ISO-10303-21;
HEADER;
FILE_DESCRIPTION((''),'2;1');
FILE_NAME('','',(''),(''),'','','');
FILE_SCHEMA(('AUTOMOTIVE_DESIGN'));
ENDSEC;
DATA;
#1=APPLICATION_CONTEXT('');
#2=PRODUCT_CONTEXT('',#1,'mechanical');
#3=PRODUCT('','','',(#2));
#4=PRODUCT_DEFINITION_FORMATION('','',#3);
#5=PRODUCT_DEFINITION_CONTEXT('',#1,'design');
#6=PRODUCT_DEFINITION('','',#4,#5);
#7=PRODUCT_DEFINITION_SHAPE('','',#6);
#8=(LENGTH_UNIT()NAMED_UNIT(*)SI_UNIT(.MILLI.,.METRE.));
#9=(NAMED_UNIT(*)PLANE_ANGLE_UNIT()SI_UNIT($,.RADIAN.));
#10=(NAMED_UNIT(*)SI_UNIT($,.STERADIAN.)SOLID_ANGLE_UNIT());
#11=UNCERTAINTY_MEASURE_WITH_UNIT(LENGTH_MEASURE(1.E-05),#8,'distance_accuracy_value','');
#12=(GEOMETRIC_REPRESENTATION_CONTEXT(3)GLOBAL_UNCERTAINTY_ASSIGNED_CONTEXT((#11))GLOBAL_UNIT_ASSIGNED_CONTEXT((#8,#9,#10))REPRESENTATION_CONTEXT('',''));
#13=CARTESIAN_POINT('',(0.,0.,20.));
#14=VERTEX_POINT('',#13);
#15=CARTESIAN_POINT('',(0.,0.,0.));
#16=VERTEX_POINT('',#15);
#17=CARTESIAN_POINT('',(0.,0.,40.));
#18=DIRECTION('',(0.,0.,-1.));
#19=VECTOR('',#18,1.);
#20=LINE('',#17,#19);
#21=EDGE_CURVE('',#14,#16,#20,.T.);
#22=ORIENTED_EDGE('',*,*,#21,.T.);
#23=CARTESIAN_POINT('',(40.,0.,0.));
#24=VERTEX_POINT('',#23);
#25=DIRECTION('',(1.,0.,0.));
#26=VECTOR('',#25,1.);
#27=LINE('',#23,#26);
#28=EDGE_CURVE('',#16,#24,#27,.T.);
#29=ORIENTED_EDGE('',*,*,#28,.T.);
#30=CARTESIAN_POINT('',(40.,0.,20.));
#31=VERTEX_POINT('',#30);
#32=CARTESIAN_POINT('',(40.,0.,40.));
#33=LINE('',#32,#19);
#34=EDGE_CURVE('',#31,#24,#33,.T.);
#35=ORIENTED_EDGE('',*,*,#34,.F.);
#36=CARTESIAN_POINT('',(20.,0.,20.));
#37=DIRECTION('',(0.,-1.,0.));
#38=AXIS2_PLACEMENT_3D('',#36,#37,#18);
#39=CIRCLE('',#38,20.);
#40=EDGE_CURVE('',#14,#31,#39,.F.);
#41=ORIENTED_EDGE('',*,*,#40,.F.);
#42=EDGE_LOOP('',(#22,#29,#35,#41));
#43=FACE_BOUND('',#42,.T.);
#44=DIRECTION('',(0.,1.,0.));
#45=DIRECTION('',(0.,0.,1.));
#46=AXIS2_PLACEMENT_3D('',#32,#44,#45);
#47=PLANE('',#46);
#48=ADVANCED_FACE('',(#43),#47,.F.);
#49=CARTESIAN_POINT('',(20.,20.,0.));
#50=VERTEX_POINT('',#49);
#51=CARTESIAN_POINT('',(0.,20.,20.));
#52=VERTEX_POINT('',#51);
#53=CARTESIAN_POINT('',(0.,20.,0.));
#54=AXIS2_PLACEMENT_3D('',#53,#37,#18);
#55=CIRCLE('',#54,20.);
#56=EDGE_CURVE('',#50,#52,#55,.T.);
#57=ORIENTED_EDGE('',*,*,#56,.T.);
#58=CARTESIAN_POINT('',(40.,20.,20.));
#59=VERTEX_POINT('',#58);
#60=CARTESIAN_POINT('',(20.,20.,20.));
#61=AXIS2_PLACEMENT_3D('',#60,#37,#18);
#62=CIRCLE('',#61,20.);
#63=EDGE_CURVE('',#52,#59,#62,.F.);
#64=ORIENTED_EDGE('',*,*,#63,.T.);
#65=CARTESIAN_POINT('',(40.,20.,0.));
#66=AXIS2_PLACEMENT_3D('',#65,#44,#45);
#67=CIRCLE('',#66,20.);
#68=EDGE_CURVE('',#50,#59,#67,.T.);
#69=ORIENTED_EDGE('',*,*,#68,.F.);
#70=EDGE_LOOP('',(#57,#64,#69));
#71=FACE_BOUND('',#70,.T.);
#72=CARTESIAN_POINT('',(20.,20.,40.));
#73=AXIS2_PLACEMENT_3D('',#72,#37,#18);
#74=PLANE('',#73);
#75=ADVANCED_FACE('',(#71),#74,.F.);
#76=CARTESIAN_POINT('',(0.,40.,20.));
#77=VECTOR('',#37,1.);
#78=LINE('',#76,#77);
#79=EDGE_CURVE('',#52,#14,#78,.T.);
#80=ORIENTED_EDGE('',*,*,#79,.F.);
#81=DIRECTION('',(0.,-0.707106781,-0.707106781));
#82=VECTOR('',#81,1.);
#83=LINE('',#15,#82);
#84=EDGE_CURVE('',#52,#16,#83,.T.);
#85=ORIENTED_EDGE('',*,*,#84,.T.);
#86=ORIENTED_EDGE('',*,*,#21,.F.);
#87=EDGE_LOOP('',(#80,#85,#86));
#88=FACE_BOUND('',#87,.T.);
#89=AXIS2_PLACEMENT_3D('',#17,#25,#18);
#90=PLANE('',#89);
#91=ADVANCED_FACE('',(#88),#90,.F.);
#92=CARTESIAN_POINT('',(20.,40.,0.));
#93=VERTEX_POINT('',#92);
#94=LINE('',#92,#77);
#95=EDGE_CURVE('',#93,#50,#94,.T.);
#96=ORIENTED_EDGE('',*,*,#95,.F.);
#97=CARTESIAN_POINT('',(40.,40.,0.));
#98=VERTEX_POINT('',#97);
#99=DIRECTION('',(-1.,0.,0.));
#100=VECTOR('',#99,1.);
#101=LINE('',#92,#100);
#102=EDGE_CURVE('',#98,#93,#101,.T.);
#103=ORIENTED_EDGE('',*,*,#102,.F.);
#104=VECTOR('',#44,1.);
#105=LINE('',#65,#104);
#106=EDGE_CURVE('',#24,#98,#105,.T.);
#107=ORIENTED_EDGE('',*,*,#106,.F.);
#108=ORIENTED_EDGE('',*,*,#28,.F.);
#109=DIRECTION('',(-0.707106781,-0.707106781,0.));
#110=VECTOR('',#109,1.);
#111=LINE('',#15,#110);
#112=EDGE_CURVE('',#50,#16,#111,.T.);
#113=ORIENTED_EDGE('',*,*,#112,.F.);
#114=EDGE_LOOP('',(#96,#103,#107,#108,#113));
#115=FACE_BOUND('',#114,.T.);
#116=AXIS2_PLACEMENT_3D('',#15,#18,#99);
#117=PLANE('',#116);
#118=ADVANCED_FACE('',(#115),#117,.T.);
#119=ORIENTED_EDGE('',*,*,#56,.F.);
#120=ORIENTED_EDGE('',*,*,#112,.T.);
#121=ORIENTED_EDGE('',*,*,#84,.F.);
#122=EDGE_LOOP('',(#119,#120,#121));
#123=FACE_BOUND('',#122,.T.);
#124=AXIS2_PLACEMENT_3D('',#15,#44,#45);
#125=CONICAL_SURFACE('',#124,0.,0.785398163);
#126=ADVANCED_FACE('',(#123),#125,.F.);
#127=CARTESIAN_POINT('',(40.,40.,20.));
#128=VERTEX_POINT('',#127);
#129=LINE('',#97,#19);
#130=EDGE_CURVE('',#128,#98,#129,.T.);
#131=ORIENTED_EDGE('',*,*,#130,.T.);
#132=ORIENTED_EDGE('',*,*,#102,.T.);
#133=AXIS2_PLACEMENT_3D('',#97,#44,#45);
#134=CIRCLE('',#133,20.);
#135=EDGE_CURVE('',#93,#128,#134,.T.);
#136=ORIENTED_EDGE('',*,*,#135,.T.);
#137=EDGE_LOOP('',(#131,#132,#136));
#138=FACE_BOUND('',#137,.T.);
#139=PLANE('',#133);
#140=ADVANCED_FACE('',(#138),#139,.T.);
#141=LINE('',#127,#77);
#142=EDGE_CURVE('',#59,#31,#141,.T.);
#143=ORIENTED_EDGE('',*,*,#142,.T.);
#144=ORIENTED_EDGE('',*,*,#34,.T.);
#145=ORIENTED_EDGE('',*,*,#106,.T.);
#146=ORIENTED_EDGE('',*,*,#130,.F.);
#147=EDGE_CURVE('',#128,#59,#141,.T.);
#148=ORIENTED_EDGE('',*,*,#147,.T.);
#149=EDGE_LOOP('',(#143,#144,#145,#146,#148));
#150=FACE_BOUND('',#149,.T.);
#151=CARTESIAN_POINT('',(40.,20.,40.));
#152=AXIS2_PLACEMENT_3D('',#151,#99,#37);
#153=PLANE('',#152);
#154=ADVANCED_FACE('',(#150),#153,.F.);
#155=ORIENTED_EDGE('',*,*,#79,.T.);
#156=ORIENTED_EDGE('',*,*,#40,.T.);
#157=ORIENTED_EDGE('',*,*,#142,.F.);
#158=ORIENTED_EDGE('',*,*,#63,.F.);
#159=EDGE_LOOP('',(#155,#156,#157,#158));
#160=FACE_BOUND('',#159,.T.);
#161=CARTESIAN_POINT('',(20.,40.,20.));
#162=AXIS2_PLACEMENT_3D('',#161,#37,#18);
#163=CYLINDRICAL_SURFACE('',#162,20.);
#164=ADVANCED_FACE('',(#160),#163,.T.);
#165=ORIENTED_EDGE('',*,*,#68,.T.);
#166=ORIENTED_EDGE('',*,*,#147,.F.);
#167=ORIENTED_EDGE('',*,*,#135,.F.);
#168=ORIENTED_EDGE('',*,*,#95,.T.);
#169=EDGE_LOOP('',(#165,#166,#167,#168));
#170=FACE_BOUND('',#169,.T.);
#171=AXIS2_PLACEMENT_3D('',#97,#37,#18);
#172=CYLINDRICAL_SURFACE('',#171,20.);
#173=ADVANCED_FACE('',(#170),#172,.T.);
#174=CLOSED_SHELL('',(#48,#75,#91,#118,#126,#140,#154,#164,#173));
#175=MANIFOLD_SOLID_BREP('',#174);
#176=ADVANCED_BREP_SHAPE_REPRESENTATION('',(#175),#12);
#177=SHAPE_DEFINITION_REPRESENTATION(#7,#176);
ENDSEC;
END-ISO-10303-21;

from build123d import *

# Parameters (mm, degrees)
BOSS_EXTRUDE1_DEPTH = 40
CUT_EXTRUDE1_DEPTH  = 40
SKETCH3_W           = 20
SKETCH3_H           = 20
CUT_EXTRUDE2_DEPTH  = 20
BOSS_EXTRUDE4_DEPTH = 20
CUT_EXTRUDE3_DEPTH  = 20


with BuildPart() as part:
    # Sketch1 → Boss-Extrude1 (new body)
    with BuildSketch(Plane.XY):
        Polygon((0, 0), (0, 40), (20, 40), (20, 20), (40, 20), (40, 0), align=None)
    extrude(amount=BOSS_EXTRUDE1_DEPTH)

    # Sketch2 → Cut-Extrude1 (cut)
    with BuildSketch(Plane(origin=(0, 0, 0), x_dir=(-1, 0, 0), z_dir=(0, -1, 0))):
        with BuildLine():
            Line((0, -40), (0, -20))
            ThreePointArc((0, -20), (-5.857864376, -34.142135624), (-20, -40))
            Line((-20, -40), (0, -40))
        make_face()
        with BuildLine():
            Line((-40, -40), (-20, -40))
            ThreePointArc((-20, -40), (-34.142135624, -34.142135624), (-40, -20))
            Line((-40, -20), (-40, -40))
        make_face()
    extrude(amount=-CUT_EXTRUDE1_DEPTH, mode=Mode.SUBTRACT)

    # Sketch3 → Cut-Extrude2 (cut)
    with BuildSketch(Plane(origin=(0, 20, 0), x_dir=(1, 0, 0), z_dir=(0, 1, 0))):
        with Locations((10, -10)):
            Rectangle(SKETCH3_W, SKETCH3_H)
    extrude(amount=CUT_EXTRUDE2_DEPTH, mode=Mode.SUBTRACT)

    # Sketch4 → Boss-Extrude4 (add)
    with BuildSketch(Plane(origin=(0, 20, 0), x_dir=(1, 0, 0), z_dir=(0, 1, 0))):
        with BuildLine():
            Line((20, 0), (40, 0))
            Line((40, 0), (40, -20))
            ThreePointArc((40, -20), (25.857864376, -14.142135624), (20, 0))
        make_face()
    extrude(amount=BOSS_EXTRUDE4_DEPTH)

    # Sketch5 → Cut-Extrude3 (cut)
    with BuildSketch(Plane(origin=(0, 40, 0), x_dir=(1, 0, 0), z_dir=(0, 1, 0))):
        with BuildLine():
            ThreePointArc((0, -20), (5.857864376, -34.142135624), (20, -40))
            Line((20, -40), (20, -20))
            Line((20, -20), (0, -20))
        make_face()
    extrude(amount=-CUT_EXTRUDE3_DEPTH, mode=Mode.SUBTRACT)

    # Sketch6 → Cut-Revolve1 (revolve, cut)
    with BuildSketch(Plane.ZY):
        Polygon((0, 0), (20, 20), (0, 20), align=None)
    revolve(axis=Axis((0, 0, 0), (0, 1, 0)), mode=Mode.SUBTRACT)


solid = part.part
